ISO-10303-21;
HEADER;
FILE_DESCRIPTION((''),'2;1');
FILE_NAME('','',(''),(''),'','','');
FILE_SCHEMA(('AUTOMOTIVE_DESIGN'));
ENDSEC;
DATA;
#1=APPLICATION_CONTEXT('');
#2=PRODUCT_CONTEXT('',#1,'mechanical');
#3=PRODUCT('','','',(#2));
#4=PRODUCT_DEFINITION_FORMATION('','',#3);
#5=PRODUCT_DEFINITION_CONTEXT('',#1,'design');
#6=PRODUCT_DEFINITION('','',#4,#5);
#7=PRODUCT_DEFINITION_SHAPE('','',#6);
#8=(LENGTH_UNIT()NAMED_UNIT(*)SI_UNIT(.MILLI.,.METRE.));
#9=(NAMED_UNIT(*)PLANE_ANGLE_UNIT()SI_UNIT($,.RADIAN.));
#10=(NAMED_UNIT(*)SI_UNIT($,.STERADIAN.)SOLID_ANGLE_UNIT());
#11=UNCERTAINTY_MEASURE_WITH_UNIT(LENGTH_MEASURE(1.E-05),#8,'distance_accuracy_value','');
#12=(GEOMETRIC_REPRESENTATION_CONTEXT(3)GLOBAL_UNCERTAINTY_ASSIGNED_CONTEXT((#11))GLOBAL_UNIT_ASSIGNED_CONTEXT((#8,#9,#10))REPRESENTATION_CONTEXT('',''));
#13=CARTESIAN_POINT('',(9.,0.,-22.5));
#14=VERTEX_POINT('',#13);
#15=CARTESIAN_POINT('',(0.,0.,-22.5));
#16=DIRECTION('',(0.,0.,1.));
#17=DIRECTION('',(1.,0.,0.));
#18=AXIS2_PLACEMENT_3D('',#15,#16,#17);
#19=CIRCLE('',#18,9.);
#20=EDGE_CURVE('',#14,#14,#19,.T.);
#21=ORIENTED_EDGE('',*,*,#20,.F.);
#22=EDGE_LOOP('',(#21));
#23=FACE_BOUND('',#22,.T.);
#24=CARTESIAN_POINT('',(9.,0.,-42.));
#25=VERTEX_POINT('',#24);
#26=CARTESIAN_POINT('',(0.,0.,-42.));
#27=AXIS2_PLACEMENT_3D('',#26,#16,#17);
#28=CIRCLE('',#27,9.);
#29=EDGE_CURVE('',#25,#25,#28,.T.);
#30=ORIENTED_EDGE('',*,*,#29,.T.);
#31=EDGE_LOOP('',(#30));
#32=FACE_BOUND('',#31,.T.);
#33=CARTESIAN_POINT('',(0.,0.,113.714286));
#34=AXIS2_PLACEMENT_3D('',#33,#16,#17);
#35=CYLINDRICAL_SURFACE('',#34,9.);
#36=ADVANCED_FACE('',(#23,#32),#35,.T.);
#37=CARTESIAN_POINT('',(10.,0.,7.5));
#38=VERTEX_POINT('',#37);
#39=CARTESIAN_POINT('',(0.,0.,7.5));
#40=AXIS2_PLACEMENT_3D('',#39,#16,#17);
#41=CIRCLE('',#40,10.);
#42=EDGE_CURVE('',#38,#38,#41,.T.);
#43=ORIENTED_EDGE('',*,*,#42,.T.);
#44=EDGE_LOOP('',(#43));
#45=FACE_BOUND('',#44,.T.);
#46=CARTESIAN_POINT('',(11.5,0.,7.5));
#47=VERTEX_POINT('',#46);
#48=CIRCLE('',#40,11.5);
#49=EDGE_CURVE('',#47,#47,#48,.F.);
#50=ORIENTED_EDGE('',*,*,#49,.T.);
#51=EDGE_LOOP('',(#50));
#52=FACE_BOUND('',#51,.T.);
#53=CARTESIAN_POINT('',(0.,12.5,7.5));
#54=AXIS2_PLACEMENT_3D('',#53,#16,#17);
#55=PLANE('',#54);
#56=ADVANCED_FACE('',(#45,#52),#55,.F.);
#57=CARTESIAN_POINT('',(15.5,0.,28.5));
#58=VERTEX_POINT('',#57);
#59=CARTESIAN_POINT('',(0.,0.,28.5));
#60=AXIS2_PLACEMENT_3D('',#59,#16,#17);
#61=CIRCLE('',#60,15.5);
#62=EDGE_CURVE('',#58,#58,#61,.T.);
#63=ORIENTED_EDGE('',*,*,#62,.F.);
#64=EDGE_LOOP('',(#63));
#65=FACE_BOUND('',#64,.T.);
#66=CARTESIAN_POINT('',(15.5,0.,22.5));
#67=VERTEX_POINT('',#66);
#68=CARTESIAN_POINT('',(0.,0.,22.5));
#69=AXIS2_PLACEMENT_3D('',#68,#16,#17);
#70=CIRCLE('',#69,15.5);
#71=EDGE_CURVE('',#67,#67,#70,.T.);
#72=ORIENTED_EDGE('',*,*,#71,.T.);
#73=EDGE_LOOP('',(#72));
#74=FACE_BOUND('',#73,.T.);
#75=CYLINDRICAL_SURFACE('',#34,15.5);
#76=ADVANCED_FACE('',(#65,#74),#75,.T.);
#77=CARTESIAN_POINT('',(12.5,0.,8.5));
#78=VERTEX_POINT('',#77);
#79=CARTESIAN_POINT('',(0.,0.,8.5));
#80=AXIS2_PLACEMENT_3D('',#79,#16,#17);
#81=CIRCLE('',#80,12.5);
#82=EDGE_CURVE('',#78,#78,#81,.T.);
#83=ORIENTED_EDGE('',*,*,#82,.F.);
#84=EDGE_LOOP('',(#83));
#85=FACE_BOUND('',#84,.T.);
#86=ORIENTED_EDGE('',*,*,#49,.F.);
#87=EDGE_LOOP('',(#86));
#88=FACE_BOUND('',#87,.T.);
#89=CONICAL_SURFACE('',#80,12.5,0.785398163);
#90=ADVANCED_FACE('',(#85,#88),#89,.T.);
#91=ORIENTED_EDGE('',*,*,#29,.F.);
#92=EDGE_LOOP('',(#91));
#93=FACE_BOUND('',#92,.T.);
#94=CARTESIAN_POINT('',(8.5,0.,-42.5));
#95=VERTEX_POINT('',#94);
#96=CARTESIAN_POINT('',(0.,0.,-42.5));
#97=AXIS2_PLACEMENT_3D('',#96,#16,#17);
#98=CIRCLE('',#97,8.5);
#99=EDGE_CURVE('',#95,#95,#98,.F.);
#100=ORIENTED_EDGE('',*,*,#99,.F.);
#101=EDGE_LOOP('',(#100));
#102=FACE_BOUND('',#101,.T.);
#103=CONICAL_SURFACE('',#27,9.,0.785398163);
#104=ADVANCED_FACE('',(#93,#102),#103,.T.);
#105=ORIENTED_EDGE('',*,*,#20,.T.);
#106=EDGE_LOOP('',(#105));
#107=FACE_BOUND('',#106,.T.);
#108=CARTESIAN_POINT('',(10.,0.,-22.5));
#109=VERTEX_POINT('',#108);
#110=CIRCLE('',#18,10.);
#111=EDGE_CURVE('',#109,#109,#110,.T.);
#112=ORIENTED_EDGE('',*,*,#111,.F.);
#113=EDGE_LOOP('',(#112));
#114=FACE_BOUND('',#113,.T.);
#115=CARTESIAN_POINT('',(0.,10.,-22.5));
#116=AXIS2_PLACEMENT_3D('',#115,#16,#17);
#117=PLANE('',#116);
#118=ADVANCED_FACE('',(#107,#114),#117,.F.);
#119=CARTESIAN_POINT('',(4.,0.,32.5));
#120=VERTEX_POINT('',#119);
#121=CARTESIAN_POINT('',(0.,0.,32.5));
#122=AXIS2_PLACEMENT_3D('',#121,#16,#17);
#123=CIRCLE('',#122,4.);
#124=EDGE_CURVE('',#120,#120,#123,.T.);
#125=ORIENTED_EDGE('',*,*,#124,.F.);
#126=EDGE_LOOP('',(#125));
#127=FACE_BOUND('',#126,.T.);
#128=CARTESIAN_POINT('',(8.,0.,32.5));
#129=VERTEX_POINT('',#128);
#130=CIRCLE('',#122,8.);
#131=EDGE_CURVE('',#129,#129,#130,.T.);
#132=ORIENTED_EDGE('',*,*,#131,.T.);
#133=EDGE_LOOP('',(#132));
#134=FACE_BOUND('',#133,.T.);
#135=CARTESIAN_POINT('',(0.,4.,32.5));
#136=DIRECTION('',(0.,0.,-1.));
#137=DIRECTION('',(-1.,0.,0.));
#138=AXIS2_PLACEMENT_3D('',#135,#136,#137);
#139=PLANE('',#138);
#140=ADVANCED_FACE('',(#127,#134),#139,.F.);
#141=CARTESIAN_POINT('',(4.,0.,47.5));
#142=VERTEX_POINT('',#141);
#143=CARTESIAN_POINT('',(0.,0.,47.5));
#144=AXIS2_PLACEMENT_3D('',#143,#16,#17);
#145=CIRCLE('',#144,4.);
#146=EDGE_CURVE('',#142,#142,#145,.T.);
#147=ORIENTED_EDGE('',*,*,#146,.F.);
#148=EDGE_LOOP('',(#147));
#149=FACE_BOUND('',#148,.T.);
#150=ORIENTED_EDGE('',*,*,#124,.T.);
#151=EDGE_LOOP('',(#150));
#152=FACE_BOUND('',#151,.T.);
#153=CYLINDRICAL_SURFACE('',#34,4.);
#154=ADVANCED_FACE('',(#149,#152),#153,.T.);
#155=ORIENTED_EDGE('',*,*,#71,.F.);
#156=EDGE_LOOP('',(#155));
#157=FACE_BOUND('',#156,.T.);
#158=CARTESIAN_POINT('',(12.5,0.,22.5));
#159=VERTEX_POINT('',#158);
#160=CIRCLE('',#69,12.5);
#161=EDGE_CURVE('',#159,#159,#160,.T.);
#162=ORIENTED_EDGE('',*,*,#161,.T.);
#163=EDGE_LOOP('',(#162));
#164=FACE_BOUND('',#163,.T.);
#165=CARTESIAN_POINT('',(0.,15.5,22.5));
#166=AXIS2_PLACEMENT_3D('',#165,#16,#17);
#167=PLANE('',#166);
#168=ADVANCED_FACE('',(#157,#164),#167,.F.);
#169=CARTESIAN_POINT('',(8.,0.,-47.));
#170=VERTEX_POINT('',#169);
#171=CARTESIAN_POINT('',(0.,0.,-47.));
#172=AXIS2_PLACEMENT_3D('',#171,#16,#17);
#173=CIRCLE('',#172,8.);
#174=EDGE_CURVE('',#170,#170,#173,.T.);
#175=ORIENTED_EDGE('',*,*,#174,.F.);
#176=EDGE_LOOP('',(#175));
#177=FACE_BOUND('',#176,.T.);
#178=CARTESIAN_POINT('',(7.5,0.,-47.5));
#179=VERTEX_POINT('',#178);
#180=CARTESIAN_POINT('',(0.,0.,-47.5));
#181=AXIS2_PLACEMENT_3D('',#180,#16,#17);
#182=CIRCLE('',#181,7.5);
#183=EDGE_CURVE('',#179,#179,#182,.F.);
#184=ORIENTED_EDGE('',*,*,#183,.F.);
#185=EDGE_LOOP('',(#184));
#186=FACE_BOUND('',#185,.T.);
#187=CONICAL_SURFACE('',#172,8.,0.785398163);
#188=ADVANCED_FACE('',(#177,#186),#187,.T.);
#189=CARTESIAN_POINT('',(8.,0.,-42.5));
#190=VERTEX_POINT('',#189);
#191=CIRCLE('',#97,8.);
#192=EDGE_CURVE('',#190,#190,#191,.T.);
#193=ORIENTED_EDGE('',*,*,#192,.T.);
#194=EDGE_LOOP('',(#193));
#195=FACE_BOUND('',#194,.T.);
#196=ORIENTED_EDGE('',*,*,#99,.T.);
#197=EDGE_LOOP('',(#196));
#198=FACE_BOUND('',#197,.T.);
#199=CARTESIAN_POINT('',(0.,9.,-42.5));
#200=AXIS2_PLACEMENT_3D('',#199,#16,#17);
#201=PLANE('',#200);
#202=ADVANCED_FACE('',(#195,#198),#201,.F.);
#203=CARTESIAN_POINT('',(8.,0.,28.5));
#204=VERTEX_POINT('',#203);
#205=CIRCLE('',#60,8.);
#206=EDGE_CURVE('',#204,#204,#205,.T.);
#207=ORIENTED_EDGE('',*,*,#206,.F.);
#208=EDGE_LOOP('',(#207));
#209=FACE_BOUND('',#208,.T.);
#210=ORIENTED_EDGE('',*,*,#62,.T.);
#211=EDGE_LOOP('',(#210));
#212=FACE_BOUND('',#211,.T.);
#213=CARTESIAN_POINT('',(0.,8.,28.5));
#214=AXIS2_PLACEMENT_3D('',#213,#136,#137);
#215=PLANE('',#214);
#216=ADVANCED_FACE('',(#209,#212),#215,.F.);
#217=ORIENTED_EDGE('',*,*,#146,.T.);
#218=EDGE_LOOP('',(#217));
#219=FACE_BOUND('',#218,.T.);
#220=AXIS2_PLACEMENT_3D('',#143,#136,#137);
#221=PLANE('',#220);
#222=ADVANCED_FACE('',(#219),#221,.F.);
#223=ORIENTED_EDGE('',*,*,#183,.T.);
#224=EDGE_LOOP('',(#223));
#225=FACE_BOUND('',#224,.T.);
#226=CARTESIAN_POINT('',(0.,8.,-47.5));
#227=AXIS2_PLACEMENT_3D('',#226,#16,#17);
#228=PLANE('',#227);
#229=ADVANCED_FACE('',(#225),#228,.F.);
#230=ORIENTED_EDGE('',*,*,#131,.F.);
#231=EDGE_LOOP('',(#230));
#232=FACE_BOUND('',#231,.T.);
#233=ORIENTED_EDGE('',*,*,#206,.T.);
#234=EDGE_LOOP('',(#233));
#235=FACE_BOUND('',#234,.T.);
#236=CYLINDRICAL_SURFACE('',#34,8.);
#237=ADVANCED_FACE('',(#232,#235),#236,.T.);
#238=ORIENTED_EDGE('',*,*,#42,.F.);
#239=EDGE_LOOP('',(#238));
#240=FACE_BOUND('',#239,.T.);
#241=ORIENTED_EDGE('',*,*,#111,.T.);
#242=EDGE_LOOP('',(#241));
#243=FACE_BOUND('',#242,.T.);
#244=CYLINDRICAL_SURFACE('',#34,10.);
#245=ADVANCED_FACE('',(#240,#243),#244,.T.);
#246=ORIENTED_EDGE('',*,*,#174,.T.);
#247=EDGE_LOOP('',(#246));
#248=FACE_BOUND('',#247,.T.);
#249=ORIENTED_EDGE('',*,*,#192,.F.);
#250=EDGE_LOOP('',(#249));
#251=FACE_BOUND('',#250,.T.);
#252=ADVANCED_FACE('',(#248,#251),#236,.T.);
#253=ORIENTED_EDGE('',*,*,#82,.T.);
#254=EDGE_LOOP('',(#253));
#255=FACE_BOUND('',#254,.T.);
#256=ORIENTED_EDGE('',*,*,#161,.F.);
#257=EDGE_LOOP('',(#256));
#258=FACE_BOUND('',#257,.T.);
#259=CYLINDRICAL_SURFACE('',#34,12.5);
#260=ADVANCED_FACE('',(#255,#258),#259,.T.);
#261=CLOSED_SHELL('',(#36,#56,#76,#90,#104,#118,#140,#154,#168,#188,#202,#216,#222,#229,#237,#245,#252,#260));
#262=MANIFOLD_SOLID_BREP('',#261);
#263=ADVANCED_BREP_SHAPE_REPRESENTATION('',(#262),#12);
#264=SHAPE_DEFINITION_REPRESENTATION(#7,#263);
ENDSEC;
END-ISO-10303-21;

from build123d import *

# Parameters (mm, degrees)
CHAMFER_1_SIZE = 1
CHAMFER_2_SIZE = 0.5


with BuildPart() as part:
    # 草图1 → 旋转1 (revolve)
    with BuildSketch(Plane(origin=(0, 0, 0), x_dir=(0, 0, -1), z_dir=(1, 0, 0)), mode=Mode.PRIVATE) as revolve_1_sk:
        Polygon((-47.5, 0), (-47.5, 4), (-32.5, 4), (-32.5, 8), (-28.5, 8), (-28.5, 15.5), (-22.5, 15.5), (-22.5, 12.5), (-7.5, 12.5), (-7.5, 10), (22.5, 10), (22.5, 9), (42.5, 9), (42.5, 8), (47.5, 8), (47.5, 0), align=None)
    revolve(revolve_1_sk.sketch.rotate(Axis((0, 0, 113.714285714), (0, 0, -1)), 90), axis=Axis((0, 0, 113.714285714), (0, 0, -1)))

    # 倒角1
    chamfer_1_edges = [part.edges().sort_by_distance(p)[0] for p in [
        (-12.5, 0, 7.5),
    ]]
    chamfer(chamfer_1_edges, length=CHAMFER_1_SIZE)

    # 倒角2
    chamfer_2_edges = [part.edges().sort_by_distance(p)[0] for p in [
        (-8, 0, -47.5),
        (-9, 0, -42.5),
    ]]
    chamfer(chamfer_2_edges, length=CHAMFER_2_SIZE)


solid = part.part
